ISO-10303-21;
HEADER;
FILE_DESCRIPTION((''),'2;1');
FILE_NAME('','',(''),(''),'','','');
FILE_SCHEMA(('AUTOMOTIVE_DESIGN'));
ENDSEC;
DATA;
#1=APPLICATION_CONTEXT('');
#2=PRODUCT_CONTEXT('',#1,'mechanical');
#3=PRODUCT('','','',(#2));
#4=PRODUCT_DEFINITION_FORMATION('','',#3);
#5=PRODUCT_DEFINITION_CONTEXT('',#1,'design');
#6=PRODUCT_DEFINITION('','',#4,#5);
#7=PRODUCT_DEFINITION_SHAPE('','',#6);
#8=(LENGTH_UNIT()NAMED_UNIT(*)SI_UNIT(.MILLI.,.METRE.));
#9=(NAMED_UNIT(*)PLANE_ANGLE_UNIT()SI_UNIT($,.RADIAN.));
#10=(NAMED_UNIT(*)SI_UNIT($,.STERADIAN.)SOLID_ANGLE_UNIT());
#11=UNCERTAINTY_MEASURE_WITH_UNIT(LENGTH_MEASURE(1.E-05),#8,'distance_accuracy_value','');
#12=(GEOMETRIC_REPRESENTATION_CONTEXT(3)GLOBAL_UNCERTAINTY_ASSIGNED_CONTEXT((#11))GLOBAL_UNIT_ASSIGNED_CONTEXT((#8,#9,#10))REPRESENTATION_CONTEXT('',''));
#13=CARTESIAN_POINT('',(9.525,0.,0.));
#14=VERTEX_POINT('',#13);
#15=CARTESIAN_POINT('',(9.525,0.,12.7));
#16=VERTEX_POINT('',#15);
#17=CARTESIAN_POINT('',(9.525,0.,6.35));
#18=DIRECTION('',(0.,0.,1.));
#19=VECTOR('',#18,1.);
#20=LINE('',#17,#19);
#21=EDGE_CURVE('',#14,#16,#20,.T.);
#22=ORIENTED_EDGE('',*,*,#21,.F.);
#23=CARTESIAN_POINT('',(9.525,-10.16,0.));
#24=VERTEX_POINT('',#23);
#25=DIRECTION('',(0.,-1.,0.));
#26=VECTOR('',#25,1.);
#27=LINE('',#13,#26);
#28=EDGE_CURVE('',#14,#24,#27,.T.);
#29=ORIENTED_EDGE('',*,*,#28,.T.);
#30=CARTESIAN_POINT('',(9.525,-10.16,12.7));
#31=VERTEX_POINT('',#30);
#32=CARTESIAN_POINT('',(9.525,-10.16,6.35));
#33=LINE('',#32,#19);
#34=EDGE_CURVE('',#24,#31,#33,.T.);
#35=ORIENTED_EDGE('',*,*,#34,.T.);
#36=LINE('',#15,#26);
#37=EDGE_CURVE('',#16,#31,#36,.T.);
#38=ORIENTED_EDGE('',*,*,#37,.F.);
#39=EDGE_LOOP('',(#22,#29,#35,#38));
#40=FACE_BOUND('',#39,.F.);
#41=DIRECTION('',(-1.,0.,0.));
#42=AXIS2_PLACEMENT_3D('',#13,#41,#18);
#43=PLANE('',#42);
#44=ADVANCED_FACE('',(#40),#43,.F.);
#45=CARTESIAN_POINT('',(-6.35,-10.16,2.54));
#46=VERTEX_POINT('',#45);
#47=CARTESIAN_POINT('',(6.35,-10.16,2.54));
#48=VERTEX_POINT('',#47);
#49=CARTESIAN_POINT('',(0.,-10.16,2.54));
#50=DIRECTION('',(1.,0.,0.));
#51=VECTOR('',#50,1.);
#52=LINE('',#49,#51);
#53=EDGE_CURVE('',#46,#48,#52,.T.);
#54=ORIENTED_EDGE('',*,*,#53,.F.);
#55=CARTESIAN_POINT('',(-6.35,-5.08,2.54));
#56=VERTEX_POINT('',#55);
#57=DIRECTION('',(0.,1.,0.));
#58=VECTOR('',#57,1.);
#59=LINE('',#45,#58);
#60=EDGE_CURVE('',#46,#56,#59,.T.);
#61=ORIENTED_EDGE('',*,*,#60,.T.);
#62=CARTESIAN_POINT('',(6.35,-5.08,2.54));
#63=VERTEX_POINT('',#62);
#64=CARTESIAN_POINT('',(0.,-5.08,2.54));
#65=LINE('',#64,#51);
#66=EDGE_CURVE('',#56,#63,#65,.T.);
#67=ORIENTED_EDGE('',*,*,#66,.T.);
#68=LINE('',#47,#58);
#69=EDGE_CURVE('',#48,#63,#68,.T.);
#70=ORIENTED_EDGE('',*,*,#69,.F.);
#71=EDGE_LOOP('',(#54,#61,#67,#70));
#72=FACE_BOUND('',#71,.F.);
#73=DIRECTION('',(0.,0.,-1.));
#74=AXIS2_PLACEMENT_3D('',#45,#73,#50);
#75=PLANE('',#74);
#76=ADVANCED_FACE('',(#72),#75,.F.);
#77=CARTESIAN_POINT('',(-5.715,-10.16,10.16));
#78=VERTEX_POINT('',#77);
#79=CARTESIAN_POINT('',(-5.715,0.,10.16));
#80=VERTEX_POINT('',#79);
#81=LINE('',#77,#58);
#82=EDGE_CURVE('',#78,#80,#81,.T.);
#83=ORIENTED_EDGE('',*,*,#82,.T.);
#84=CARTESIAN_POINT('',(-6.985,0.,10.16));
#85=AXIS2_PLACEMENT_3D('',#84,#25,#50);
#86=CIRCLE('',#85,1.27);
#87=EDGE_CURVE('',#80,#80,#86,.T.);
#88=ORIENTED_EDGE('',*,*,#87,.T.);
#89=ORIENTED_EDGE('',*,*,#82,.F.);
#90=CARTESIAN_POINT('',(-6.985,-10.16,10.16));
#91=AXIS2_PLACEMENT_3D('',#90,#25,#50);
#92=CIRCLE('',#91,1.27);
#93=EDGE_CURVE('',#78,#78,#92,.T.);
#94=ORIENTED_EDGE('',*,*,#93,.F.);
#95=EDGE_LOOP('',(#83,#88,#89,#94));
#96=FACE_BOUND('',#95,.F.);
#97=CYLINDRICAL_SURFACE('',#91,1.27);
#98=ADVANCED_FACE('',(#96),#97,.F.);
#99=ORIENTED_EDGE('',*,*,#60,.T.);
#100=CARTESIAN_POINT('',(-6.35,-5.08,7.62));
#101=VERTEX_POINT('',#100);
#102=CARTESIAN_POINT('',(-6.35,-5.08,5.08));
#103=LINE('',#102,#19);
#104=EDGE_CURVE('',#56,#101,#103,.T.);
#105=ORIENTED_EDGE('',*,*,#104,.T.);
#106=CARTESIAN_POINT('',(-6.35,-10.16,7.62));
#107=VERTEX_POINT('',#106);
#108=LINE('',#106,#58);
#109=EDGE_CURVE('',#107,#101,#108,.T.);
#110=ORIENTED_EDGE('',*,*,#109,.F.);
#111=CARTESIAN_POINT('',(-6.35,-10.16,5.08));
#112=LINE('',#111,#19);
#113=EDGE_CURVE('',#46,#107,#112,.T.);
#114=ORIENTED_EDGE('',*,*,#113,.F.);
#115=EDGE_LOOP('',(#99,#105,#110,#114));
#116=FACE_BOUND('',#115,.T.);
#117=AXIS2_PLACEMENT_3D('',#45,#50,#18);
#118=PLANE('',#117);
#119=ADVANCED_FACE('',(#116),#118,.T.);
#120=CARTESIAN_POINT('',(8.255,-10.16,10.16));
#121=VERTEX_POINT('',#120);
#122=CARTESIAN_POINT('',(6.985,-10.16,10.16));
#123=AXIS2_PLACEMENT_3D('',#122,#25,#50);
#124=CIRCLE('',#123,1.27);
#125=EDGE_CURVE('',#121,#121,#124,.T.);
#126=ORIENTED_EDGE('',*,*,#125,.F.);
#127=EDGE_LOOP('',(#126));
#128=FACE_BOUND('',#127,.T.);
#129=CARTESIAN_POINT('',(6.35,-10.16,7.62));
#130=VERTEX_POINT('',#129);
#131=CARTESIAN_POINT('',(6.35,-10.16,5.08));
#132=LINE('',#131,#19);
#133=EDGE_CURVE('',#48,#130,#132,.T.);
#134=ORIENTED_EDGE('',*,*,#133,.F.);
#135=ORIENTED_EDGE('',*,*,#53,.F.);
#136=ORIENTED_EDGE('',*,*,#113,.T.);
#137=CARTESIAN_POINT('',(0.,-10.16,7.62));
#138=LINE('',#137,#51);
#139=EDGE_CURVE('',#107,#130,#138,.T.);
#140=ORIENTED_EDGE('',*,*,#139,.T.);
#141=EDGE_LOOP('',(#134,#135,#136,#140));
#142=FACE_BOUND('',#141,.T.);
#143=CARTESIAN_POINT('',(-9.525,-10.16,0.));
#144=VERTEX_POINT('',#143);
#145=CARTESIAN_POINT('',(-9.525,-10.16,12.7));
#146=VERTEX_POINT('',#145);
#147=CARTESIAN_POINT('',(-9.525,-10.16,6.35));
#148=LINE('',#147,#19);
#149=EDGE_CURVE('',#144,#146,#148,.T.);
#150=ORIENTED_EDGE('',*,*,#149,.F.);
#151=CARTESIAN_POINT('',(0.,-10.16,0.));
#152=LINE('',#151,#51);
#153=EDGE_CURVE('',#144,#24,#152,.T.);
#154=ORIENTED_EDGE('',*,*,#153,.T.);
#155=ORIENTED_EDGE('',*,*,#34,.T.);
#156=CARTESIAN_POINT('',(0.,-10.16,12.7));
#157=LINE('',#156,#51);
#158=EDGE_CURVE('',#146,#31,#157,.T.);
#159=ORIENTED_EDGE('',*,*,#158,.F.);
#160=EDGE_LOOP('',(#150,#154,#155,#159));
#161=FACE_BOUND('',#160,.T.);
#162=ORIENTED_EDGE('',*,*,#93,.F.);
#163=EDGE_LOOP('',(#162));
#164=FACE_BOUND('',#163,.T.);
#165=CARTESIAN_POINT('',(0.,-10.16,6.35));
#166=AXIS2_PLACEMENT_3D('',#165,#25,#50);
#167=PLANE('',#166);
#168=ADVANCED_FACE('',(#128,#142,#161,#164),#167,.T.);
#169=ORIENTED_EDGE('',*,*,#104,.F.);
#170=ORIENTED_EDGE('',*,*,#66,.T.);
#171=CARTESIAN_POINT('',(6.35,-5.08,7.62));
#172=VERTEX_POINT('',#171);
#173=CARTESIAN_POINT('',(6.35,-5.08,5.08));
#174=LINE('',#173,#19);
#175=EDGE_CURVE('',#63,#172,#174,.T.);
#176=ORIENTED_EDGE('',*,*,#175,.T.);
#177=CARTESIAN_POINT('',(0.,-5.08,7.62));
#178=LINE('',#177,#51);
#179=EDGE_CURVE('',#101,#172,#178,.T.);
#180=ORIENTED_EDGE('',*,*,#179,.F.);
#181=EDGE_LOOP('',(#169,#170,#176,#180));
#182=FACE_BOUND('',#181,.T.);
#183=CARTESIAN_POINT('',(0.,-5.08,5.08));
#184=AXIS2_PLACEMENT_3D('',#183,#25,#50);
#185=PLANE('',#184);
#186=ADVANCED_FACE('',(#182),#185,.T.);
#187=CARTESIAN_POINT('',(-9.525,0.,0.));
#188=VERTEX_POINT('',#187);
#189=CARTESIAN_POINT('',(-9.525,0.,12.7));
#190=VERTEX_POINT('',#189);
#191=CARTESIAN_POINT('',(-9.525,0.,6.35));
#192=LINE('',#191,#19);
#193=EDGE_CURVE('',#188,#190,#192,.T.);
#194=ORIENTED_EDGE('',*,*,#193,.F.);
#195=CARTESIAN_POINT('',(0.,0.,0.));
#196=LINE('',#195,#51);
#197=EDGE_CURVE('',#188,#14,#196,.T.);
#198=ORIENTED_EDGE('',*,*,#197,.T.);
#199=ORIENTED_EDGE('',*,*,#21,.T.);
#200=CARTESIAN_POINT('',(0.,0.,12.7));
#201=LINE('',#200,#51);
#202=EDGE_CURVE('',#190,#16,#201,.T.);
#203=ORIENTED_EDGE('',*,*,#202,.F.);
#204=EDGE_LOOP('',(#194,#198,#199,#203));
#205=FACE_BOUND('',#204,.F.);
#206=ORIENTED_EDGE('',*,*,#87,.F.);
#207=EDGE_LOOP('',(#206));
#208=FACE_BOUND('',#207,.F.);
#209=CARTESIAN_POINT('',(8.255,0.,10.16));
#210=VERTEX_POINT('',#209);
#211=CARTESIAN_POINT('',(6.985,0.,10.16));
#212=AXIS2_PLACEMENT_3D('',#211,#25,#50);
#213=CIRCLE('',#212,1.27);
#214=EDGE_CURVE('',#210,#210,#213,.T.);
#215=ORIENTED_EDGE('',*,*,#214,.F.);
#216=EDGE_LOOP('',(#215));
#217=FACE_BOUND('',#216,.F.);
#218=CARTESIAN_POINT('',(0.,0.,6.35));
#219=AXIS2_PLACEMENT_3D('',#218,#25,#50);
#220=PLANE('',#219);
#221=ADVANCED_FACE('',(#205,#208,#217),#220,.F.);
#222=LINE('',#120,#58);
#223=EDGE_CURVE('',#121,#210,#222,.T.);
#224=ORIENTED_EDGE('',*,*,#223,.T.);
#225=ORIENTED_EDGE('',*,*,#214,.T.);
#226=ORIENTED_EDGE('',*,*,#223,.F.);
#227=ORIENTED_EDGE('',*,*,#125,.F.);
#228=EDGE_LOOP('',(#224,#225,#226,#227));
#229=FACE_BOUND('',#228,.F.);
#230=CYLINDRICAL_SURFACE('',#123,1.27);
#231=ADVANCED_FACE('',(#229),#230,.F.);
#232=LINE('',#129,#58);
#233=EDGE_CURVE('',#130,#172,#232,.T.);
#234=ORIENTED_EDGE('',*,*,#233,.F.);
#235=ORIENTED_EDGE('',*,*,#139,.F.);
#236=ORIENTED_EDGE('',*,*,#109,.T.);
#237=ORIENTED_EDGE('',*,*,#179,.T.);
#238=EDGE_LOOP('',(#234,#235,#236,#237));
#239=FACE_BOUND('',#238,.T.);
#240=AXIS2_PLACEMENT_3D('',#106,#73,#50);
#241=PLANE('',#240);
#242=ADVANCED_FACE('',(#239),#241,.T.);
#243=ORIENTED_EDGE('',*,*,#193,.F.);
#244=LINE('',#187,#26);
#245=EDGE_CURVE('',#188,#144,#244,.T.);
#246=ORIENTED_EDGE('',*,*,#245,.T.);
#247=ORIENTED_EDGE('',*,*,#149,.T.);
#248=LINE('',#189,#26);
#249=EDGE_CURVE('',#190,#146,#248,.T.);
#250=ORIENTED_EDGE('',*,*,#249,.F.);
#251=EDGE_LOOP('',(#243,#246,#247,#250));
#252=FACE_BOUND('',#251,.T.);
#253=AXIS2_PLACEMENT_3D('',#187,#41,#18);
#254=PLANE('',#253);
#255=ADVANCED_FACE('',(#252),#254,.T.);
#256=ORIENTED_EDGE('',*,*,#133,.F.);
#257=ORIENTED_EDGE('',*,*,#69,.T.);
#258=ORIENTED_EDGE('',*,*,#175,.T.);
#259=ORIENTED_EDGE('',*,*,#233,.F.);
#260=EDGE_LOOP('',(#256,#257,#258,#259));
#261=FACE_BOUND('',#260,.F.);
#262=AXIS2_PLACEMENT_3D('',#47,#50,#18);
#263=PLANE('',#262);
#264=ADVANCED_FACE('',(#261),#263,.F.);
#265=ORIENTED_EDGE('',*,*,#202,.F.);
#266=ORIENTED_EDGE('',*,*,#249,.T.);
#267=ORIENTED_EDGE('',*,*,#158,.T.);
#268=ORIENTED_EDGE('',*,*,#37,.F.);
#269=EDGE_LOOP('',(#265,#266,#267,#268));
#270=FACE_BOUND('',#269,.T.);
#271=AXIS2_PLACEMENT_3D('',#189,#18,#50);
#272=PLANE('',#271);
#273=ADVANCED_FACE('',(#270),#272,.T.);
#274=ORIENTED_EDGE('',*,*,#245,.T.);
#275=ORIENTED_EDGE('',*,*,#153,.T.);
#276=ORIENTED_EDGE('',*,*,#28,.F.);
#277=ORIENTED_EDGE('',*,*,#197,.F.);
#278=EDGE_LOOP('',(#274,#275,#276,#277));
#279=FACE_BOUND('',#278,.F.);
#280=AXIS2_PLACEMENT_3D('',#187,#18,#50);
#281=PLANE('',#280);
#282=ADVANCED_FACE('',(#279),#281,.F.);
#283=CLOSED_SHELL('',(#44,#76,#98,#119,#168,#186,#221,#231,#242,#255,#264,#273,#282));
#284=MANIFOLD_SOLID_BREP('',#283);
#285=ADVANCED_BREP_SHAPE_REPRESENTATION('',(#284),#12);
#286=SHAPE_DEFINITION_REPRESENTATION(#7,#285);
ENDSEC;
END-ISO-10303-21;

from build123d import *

# Parameters (mm, degrees)
F0_W     = 19.05
F0_H     = 12.7
F1_DEPTH = 10.16
F2_W     = 12.7
F2_H     = 5.08
F3_DEPTH = 5.08
F4_R     = 1.27
F5_DEPTH = 10.16


with BuildPart() as f1:
    # F0 (on Front) → F1 (new body)
    with BuildSketch(Plane.XZ):
        with Locations((0, 6.35)):
            Rectangle(F0_W, F0_H)
    extrude(amount=F1_DEPTH)

    # F2 (on face) → F3 (cut)
    with BuildSketch(Plane.XZ.offset(10.16)):
        with Locations((0, 5.08)):
            Rectangle(F2_W, F2_H)
    extrude(amount=-F3_DEPTH, mode=Mode.SUBTRACT)

    # F4 (on face) → F5 (cut)
    with BuildSketch(Plane.XZ.offset(10.16)):
        with Locations((6.985, 10.16)):
            Circle(F4_R)
        with Locations((-6.985, 10.16)):
            Circle(F4_R)
    extrude(amount=-F5_DEPTH, mode=Mode.SUBTRACT)


solid = f1.part
